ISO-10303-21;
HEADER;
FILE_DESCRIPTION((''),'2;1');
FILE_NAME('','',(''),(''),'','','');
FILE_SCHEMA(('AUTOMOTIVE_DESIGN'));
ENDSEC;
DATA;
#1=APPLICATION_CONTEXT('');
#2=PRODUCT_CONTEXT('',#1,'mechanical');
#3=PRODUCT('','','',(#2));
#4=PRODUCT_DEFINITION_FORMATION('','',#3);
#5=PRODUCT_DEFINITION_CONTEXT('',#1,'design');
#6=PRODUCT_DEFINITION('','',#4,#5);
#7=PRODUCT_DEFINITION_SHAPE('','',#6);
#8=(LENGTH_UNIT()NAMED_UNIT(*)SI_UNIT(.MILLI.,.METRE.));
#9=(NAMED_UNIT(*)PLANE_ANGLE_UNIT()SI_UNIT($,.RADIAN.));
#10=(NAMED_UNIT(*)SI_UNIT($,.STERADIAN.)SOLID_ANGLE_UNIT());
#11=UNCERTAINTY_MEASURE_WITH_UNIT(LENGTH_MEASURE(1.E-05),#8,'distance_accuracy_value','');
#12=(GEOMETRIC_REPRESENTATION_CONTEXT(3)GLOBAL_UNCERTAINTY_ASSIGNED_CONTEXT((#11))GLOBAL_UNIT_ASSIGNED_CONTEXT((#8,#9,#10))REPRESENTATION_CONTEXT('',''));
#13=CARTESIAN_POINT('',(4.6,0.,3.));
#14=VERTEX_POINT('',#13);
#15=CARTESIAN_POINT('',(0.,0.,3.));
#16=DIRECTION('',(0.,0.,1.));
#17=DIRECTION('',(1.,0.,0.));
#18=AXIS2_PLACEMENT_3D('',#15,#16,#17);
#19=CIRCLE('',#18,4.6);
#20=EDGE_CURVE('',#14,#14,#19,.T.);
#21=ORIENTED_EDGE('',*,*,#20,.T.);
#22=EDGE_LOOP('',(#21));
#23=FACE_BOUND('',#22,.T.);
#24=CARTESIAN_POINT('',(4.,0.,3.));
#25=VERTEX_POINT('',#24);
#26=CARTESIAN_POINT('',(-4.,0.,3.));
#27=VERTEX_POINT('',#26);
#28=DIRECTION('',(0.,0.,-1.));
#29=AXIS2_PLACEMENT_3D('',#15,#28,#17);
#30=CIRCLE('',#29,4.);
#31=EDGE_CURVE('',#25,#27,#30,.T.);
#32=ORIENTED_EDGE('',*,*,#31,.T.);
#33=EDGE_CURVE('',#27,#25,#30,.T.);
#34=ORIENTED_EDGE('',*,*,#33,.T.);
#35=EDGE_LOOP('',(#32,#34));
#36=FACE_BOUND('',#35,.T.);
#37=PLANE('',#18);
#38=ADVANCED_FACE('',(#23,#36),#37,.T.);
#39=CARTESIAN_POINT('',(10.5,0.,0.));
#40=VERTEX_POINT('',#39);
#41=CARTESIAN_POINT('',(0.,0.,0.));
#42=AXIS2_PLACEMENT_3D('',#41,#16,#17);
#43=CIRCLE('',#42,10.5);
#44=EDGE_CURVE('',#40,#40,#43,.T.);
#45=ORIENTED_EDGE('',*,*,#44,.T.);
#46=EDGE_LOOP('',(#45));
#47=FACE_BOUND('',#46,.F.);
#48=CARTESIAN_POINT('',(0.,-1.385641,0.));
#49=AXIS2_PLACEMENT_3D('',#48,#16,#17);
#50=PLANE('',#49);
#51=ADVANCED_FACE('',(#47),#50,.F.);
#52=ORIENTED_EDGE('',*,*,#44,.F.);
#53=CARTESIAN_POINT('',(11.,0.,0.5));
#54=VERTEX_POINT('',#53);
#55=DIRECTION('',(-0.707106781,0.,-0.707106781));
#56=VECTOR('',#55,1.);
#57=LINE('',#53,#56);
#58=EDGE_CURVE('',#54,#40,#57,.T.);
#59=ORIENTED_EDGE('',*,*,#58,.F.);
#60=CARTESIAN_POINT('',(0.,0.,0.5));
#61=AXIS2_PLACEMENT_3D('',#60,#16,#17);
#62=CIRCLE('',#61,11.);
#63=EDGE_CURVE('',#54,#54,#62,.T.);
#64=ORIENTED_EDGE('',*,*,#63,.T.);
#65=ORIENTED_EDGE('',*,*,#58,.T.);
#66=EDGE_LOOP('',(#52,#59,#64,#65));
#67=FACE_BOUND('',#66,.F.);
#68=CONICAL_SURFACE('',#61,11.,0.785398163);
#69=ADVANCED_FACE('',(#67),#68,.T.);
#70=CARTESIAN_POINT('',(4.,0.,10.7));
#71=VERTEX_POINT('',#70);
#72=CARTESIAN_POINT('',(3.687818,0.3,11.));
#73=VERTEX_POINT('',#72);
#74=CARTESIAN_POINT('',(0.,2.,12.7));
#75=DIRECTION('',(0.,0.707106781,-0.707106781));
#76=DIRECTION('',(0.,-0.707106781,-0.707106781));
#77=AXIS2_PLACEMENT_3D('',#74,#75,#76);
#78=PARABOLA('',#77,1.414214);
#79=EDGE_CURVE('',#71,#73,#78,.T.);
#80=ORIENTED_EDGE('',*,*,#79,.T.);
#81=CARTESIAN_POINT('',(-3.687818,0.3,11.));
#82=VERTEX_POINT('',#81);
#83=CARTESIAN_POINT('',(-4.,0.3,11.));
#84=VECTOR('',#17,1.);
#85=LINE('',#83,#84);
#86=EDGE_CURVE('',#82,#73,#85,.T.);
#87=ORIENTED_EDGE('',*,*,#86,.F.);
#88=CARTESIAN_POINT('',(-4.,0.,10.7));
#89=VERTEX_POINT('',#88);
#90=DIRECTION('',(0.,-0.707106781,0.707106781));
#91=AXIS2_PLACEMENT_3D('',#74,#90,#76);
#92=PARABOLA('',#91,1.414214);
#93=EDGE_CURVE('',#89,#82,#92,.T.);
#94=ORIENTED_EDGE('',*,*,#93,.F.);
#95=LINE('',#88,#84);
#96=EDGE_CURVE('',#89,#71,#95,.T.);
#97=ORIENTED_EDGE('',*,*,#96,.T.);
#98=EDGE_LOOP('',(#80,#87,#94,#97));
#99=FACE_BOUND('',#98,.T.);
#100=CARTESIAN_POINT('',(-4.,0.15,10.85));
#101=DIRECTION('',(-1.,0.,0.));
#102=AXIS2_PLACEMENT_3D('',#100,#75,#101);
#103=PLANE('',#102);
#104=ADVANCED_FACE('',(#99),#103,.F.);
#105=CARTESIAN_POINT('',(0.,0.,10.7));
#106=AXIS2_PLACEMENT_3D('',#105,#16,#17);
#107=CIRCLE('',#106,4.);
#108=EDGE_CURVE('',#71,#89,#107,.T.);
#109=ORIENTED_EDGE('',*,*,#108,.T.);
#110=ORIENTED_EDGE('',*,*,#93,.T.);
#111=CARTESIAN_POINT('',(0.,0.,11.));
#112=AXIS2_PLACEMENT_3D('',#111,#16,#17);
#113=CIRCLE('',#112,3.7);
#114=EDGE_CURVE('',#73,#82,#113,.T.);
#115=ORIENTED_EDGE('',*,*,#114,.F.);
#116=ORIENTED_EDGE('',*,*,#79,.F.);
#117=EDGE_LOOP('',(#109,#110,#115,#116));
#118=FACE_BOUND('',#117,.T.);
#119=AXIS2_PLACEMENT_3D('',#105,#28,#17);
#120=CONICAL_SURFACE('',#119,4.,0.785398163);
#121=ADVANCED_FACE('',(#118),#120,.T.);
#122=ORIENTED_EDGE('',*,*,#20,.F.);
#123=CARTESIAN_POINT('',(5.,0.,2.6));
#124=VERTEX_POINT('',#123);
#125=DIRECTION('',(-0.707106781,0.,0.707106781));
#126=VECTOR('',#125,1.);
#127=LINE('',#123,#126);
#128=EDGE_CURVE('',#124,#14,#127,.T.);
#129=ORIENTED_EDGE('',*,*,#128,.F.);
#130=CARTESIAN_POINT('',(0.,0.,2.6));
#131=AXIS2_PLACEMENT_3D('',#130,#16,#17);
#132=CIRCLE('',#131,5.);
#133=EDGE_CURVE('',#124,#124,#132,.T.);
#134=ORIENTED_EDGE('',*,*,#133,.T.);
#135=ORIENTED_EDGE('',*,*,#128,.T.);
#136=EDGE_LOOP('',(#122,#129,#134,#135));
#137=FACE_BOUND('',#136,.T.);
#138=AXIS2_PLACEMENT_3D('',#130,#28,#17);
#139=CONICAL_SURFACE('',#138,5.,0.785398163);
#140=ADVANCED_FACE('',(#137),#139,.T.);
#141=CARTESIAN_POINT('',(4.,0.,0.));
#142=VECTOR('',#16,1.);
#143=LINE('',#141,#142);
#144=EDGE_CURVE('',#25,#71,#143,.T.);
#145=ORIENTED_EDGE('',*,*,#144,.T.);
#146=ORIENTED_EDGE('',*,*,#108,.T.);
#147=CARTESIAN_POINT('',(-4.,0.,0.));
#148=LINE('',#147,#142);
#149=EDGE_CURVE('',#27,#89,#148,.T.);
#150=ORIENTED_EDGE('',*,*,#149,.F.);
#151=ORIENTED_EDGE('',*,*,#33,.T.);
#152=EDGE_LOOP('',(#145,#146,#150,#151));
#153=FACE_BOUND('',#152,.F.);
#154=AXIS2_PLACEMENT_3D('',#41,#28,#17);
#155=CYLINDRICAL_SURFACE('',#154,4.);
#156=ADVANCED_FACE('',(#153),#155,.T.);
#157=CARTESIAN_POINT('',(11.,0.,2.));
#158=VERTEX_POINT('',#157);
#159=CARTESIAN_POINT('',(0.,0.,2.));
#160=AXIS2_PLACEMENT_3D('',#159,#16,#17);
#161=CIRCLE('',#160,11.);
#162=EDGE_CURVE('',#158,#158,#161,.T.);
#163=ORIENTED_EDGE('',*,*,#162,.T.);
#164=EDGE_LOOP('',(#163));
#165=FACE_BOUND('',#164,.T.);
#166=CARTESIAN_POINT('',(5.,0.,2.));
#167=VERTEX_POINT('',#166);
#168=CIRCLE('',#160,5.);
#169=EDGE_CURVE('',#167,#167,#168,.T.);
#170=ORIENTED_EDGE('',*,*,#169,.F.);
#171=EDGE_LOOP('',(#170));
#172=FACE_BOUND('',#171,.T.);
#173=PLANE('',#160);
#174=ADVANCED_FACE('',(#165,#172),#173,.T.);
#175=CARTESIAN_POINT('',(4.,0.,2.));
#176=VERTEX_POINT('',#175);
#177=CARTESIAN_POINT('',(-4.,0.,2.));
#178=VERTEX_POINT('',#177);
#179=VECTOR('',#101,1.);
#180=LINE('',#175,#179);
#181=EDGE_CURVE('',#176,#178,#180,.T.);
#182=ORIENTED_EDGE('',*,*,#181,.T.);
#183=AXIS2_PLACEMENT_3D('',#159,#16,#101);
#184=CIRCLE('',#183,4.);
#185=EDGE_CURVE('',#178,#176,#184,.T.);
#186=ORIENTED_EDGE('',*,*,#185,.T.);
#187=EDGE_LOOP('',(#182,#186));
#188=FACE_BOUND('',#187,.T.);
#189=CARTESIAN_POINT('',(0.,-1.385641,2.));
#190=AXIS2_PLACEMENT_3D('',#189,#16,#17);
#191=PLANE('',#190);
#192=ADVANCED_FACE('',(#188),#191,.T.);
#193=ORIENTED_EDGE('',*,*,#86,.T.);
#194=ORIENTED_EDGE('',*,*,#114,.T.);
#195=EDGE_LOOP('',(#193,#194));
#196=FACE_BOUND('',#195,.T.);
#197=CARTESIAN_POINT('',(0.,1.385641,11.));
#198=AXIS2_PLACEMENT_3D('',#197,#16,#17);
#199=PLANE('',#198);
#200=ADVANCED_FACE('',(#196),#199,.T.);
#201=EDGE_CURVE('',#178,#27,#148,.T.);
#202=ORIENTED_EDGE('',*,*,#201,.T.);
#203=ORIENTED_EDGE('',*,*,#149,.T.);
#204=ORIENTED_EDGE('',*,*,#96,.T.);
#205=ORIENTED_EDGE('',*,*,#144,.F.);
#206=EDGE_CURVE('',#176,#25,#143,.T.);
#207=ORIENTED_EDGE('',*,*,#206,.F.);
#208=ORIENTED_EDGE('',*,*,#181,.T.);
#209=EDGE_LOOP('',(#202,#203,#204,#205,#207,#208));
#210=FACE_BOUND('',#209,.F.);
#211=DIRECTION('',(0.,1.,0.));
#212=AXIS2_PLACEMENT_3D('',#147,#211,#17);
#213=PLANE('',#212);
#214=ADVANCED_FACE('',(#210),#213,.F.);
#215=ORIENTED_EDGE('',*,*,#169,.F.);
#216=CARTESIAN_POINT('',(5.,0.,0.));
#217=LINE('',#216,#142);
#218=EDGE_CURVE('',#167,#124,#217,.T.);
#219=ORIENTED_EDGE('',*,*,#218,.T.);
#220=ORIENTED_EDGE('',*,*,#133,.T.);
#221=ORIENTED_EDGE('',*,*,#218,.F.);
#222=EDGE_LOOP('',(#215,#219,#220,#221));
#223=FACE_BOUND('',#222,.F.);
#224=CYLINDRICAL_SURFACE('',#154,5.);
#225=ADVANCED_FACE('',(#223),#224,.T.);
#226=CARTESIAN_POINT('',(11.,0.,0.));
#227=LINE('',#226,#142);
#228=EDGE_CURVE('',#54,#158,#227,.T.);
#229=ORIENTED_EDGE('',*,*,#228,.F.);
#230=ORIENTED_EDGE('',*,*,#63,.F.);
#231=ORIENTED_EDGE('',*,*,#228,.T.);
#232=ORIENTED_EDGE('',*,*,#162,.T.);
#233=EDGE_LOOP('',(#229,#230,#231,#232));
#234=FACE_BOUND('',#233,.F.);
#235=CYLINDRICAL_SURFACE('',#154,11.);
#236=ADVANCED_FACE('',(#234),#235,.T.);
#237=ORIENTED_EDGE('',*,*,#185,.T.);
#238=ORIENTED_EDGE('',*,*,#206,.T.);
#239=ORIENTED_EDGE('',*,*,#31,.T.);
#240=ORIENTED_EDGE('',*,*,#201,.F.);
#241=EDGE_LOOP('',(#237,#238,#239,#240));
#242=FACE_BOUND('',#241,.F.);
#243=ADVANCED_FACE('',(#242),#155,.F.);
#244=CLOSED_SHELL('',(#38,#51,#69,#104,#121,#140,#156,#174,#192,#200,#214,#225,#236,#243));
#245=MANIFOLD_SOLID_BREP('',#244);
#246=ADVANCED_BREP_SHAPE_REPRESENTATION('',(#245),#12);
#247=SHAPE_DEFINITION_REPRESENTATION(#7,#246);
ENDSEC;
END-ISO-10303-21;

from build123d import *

# Parameters (mm, degrees)
F2_DEPTH = 11
F1_R     = 5
F4_DEPTH = 3
F1_R_2   = 11
F6_DEPTH = 2
F7_DEPTH = 2
F8_SIZE  = 0.4
F9_SIZE  = 0.3
F10_SIZE = 0.5


with BuildPart() as f2:
    # F1 (on Top) → F2 (new body)
    with BuildSketch(Plane.XY):
        with BuildLine():
            Line((-4, 0), (4, 0))
            ThreePointArc((4, 0), (0, 4), (-4, 0))
        make_face()
    extrude(amount=F2_DEPTH)

    # F1 (on Top) → F4 (join)
    with BuildSketch(Plane.XY):
        Circle(F1_R)
        with BuildLine():
            ThreePointArc((-4, 0), (0, 4), (4, 0))
            ThreePointArc((4, 0), (0, -4), (-4, 0))
        make_face(mode=Mode.SUBTRACT)
    extrude(amount=F4_DEPTH)

    # F1 (on Top) → F6 (join)
    with BuildSketch(Plane.XY):
        Circle(F1_R_2)
        Circle(F1_R, mode=Mode.SUBTRACT)
    extrude(amount=F6_DEPTH)

    # F1 (on Top) → F7 (join)
    with BuildSketch(Plane.XY):
        with BuildLine():
            ThreePointArc((-4, 0), (0, -4), (4, 0))
            Line((4, 0), (-4, 0))
        make_face()
    extrude(amount=F7_DEPTH)

    # F8
    f8_edges = [f2.edges().sort_by_distance(p)[0] for p in [
        (-5, 0, 3),
    ]]
    chamfer(f8_edges, length=F8_SIZE)

    # F9
    f9_edges = [f2.edges().sort_by_distance(p)[0] for p in [
        (0, 4, 11),
        (0, 0, 11),
    ]]
    chamfer(f9_edges, length=F9_SIZE)

    # F10
    f10_edges = [f2.edges().sort_by_distance(p)[0] for p in [
        (-11, 0, 0),
    ]]
    chamfer(f10_edges, length=F10_SIZE)


solid = f2.part
